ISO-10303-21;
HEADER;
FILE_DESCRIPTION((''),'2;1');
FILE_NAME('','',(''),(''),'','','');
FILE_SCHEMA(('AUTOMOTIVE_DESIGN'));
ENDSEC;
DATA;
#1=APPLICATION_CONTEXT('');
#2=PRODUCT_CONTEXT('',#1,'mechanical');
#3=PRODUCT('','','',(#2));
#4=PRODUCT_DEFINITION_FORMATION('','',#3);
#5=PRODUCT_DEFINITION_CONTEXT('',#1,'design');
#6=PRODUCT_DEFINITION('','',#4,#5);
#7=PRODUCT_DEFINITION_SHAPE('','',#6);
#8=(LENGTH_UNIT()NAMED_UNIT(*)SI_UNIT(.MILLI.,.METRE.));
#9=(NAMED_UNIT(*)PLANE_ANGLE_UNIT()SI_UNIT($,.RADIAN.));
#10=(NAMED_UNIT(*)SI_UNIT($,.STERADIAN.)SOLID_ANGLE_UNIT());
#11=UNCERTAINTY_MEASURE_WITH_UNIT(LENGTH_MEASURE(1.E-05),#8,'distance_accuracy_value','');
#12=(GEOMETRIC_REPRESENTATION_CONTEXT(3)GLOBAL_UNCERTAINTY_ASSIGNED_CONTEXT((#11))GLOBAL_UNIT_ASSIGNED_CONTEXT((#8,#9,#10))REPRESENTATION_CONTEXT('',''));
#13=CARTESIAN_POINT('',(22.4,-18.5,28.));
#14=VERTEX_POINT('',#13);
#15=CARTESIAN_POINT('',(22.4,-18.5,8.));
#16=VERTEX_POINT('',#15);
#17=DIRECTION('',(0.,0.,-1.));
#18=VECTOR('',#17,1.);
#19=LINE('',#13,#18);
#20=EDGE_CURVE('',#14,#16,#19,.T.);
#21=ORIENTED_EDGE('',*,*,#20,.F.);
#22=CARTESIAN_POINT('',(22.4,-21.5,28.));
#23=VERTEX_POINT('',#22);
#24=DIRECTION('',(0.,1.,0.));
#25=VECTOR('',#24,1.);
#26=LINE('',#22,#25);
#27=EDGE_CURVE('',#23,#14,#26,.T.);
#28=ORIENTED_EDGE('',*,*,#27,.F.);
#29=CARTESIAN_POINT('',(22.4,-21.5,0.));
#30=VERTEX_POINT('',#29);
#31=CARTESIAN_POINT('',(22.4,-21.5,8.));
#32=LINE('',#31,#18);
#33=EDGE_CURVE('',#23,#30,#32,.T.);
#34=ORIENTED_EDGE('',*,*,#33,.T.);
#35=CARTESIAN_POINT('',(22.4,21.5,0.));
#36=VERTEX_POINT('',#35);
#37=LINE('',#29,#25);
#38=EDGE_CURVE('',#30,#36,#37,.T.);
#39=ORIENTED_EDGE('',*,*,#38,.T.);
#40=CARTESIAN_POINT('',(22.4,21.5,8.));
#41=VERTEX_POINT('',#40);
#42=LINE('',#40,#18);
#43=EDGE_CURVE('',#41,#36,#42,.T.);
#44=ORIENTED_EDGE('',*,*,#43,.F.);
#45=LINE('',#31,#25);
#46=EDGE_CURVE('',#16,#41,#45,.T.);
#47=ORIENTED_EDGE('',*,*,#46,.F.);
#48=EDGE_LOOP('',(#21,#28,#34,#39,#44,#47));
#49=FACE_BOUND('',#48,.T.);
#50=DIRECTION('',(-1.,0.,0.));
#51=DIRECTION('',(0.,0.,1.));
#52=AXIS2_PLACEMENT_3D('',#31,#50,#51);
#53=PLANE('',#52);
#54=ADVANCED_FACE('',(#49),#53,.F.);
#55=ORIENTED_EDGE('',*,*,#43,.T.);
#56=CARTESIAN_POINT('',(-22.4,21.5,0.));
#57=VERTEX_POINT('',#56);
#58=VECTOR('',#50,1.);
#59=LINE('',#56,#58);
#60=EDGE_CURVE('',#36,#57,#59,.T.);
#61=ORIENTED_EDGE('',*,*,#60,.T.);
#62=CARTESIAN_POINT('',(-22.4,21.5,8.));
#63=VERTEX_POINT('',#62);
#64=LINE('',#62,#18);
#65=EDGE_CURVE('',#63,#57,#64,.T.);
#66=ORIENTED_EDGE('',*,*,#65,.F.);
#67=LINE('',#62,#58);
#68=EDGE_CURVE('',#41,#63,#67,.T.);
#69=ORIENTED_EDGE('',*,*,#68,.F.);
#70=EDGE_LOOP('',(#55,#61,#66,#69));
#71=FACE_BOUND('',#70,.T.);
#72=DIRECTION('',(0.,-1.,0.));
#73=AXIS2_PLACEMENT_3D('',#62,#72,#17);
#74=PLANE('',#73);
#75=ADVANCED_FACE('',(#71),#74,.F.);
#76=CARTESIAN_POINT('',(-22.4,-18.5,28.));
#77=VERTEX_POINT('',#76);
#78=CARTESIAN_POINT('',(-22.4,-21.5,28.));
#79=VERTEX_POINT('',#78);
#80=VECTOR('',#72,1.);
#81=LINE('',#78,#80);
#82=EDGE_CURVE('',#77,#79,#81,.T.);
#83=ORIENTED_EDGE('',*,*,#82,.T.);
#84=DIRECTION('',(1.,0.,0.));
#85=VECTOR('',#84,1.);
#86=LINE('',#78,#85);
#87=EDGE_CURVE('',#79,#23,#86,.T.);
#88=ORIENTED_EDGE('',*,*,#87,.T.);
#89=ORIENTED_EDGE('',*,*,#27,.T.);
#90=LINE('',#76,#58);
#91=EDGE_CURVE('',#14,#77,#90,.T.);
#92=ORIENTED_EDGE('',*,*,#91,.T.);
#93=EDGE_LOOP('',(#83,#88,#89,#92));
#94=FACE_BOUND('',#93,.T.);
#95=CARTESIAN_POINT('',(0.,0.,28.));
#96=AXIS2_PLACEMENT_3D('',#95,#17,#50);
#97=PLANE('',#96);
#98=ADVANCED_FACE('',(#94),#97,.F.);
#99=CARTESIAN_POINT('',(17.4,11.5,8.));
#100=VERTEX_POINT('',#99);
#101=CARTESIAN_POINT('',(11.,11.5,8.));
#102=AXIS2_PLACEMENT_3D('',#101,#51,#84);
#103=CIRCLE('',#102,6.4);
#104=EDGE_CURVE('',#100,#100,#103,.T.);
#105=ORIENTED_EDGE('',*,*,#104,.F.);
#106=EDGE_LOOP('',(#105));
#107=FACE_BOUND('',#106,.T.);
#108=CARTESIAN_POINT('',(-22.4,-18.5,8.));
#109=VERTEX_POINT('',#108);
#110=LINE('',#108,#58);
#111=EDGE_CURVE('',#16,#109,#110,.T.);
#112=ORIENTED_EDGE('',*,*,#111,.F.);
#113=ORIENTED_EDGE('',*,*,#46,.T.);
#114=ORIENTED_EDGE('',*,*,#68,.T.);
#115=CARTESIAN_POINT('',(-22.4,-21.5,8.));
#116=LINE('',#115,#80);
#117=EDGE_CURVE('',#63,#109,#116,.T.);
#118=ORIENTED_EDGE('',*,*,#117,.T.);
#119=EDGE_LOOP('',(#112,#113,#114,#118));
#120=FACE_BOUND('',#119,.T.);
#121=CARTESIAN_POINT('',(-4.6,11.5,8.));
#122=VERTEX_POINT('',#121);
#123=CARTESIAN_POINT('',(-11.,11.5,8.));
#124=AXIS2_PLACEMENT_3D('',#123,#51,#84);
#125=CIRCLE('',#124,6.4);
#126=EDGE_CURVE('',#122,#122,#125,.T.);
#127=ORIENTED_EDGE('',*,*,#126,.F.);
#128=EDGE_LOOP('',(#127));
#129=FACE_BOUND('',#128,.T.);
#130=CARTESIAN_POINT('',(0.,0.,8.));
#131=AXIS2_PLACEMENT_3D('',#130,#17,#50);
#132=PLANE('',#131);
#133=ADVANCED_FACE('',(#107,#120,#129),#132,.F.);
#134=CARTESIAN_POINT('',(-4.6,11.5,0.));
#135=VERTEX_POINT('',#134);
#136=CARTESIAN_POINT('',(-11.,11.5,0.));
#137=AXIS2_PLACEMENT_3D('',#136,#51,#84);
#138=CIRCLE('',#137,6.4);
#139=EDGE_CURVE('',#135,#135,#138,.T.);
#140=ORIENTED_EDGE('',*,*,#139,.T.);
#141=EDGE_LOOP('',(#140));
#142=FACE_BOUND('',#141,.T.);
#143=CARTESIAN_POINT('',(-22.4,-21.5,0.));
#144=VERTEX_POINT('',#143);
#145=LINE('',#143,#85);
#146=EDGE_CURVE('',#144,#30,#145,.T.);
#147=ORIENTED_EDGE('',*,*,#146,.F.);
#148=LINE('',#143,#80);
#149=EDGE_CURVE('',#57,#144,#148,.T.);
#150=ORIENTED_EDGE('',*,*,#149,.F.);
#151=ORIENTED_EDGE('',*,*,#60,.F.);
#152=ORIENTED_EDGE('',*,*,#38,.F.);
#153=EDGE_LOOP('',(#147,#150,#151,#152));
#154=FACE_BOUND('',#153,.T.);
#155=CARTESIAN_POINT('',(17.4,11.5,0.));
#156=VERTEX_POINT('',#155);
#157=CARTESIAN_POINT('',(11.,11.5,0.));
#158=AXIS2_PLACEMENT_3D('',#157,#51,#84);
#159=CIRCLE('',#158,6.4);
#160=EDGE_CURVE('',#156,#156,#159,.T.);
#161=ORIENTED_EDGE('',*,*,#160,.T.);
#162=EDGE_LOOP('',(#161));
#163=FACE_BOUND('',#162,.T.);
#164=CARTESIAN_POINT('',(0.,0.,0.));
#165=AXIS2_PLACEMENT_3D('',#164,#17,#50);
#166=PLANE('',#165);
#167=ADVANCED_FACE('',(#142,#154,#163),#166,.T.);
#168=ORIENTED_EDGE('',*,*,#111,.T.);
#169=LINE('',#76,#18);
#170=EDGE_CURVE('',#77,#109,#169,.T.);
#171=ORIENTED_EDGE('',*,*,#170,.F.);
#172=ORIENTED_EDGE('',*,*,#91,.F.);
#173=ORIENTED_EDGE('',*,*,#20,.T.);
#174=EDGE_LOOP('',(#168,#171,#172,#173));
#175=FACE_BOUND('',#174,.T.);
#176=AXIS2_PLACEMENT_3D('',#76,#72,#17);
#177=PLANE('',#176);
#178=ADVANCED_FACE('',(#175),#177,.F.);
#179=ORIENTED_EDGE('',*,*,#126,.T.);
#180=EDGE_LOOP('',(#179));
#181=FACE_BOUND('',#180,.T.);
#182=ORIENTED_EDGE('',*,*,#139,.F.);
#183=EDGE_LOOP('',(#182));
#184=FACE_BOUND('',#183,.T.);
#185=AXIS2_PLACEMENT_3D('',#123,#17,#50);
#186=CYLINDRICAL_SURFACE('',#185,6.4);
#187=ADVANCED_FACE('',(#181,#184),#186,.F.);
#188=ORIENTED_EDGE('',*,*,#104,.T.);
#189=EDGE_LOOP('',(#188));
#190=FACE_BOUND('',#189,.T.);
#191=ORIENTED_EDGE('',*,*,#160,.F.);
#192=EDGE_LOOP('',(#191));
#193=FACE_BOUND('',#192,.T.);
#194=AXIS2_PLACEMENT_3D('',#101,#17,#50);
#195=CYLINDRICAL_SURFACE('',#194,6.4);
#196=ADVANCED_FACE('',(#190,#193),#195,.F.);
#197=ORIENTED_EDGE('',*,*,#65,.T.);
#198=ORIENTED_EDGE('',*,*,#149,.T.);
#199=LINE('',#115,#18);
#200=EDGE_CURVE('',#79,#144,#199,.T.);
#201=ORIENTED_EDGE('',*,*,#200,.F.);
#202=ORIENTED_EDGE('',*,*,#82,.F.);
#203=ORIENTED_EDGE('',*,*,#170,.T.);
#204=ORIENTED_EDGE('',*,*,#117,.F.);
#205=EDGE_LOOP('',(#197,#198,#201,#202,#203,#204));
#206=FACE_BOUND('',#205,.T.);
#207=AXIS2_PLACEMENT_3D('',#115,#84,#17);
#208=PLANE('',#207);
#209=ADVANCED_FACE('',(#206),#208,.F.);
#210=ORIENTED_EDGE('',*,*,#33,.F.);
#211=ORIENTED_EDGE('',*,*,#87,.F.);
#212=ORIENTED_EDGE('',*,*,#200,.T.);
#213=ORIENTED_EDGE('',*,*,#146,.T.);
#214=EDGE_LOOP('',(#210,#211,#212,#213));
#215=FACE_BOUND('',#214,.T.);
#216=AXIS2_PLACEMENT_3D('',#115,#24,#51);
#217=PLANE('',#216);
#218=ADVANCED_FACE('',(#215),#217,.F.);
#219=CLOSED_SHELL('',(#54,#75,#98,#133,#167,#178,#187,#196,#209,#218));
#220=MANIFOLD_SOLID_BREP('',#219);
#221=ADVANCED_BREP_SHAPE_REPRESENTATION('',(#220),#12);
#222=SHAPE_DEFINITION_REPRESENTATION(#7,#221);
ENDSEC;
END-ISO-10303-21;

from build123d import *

# Parameters (mm, degrees)
CROQUIS7_W              = 44.8
CROQUIS7_H              = 43
CROQUIS7_R              = 6.4
SALIENTE_EXTRUIR4_DEPTH = 8
CROQUIS8_W              = 44.8
CROQUIS8_H              = 3
SALIENTE_EXTRUIR5_DEPTH = 20


with BuildPart() as part:
    # Croquis7 → Saliente-Extruir4 (new body)
    with BuildSketch(Plane.XY):
        Rectangle(CROQUIS7_W, CROQUIS7_H)
        with Locations((-11, 11.5)):
            Circle(CROQUIS7_R, mode=Mode.SUBTRACT)
        with Locations((11, 11.5)):
            Circle(CROQUIS7_R, mode=Mode.SUBTRACT)
    extrude(amount=SALIENTE_EXTRUIR4_DEPTH)

    # Croquis8 → Saliente-Extruir5 (add)
    with BuildSketch(Plane.XY.offset(8)):
        with Locations((0, -20)):
            Rectangle(CROQUIS8_W, CROQUIS8_H)
    extrude(amount=SALIENTE_EXTRUIR5_DEPTH)


solid = part.part
